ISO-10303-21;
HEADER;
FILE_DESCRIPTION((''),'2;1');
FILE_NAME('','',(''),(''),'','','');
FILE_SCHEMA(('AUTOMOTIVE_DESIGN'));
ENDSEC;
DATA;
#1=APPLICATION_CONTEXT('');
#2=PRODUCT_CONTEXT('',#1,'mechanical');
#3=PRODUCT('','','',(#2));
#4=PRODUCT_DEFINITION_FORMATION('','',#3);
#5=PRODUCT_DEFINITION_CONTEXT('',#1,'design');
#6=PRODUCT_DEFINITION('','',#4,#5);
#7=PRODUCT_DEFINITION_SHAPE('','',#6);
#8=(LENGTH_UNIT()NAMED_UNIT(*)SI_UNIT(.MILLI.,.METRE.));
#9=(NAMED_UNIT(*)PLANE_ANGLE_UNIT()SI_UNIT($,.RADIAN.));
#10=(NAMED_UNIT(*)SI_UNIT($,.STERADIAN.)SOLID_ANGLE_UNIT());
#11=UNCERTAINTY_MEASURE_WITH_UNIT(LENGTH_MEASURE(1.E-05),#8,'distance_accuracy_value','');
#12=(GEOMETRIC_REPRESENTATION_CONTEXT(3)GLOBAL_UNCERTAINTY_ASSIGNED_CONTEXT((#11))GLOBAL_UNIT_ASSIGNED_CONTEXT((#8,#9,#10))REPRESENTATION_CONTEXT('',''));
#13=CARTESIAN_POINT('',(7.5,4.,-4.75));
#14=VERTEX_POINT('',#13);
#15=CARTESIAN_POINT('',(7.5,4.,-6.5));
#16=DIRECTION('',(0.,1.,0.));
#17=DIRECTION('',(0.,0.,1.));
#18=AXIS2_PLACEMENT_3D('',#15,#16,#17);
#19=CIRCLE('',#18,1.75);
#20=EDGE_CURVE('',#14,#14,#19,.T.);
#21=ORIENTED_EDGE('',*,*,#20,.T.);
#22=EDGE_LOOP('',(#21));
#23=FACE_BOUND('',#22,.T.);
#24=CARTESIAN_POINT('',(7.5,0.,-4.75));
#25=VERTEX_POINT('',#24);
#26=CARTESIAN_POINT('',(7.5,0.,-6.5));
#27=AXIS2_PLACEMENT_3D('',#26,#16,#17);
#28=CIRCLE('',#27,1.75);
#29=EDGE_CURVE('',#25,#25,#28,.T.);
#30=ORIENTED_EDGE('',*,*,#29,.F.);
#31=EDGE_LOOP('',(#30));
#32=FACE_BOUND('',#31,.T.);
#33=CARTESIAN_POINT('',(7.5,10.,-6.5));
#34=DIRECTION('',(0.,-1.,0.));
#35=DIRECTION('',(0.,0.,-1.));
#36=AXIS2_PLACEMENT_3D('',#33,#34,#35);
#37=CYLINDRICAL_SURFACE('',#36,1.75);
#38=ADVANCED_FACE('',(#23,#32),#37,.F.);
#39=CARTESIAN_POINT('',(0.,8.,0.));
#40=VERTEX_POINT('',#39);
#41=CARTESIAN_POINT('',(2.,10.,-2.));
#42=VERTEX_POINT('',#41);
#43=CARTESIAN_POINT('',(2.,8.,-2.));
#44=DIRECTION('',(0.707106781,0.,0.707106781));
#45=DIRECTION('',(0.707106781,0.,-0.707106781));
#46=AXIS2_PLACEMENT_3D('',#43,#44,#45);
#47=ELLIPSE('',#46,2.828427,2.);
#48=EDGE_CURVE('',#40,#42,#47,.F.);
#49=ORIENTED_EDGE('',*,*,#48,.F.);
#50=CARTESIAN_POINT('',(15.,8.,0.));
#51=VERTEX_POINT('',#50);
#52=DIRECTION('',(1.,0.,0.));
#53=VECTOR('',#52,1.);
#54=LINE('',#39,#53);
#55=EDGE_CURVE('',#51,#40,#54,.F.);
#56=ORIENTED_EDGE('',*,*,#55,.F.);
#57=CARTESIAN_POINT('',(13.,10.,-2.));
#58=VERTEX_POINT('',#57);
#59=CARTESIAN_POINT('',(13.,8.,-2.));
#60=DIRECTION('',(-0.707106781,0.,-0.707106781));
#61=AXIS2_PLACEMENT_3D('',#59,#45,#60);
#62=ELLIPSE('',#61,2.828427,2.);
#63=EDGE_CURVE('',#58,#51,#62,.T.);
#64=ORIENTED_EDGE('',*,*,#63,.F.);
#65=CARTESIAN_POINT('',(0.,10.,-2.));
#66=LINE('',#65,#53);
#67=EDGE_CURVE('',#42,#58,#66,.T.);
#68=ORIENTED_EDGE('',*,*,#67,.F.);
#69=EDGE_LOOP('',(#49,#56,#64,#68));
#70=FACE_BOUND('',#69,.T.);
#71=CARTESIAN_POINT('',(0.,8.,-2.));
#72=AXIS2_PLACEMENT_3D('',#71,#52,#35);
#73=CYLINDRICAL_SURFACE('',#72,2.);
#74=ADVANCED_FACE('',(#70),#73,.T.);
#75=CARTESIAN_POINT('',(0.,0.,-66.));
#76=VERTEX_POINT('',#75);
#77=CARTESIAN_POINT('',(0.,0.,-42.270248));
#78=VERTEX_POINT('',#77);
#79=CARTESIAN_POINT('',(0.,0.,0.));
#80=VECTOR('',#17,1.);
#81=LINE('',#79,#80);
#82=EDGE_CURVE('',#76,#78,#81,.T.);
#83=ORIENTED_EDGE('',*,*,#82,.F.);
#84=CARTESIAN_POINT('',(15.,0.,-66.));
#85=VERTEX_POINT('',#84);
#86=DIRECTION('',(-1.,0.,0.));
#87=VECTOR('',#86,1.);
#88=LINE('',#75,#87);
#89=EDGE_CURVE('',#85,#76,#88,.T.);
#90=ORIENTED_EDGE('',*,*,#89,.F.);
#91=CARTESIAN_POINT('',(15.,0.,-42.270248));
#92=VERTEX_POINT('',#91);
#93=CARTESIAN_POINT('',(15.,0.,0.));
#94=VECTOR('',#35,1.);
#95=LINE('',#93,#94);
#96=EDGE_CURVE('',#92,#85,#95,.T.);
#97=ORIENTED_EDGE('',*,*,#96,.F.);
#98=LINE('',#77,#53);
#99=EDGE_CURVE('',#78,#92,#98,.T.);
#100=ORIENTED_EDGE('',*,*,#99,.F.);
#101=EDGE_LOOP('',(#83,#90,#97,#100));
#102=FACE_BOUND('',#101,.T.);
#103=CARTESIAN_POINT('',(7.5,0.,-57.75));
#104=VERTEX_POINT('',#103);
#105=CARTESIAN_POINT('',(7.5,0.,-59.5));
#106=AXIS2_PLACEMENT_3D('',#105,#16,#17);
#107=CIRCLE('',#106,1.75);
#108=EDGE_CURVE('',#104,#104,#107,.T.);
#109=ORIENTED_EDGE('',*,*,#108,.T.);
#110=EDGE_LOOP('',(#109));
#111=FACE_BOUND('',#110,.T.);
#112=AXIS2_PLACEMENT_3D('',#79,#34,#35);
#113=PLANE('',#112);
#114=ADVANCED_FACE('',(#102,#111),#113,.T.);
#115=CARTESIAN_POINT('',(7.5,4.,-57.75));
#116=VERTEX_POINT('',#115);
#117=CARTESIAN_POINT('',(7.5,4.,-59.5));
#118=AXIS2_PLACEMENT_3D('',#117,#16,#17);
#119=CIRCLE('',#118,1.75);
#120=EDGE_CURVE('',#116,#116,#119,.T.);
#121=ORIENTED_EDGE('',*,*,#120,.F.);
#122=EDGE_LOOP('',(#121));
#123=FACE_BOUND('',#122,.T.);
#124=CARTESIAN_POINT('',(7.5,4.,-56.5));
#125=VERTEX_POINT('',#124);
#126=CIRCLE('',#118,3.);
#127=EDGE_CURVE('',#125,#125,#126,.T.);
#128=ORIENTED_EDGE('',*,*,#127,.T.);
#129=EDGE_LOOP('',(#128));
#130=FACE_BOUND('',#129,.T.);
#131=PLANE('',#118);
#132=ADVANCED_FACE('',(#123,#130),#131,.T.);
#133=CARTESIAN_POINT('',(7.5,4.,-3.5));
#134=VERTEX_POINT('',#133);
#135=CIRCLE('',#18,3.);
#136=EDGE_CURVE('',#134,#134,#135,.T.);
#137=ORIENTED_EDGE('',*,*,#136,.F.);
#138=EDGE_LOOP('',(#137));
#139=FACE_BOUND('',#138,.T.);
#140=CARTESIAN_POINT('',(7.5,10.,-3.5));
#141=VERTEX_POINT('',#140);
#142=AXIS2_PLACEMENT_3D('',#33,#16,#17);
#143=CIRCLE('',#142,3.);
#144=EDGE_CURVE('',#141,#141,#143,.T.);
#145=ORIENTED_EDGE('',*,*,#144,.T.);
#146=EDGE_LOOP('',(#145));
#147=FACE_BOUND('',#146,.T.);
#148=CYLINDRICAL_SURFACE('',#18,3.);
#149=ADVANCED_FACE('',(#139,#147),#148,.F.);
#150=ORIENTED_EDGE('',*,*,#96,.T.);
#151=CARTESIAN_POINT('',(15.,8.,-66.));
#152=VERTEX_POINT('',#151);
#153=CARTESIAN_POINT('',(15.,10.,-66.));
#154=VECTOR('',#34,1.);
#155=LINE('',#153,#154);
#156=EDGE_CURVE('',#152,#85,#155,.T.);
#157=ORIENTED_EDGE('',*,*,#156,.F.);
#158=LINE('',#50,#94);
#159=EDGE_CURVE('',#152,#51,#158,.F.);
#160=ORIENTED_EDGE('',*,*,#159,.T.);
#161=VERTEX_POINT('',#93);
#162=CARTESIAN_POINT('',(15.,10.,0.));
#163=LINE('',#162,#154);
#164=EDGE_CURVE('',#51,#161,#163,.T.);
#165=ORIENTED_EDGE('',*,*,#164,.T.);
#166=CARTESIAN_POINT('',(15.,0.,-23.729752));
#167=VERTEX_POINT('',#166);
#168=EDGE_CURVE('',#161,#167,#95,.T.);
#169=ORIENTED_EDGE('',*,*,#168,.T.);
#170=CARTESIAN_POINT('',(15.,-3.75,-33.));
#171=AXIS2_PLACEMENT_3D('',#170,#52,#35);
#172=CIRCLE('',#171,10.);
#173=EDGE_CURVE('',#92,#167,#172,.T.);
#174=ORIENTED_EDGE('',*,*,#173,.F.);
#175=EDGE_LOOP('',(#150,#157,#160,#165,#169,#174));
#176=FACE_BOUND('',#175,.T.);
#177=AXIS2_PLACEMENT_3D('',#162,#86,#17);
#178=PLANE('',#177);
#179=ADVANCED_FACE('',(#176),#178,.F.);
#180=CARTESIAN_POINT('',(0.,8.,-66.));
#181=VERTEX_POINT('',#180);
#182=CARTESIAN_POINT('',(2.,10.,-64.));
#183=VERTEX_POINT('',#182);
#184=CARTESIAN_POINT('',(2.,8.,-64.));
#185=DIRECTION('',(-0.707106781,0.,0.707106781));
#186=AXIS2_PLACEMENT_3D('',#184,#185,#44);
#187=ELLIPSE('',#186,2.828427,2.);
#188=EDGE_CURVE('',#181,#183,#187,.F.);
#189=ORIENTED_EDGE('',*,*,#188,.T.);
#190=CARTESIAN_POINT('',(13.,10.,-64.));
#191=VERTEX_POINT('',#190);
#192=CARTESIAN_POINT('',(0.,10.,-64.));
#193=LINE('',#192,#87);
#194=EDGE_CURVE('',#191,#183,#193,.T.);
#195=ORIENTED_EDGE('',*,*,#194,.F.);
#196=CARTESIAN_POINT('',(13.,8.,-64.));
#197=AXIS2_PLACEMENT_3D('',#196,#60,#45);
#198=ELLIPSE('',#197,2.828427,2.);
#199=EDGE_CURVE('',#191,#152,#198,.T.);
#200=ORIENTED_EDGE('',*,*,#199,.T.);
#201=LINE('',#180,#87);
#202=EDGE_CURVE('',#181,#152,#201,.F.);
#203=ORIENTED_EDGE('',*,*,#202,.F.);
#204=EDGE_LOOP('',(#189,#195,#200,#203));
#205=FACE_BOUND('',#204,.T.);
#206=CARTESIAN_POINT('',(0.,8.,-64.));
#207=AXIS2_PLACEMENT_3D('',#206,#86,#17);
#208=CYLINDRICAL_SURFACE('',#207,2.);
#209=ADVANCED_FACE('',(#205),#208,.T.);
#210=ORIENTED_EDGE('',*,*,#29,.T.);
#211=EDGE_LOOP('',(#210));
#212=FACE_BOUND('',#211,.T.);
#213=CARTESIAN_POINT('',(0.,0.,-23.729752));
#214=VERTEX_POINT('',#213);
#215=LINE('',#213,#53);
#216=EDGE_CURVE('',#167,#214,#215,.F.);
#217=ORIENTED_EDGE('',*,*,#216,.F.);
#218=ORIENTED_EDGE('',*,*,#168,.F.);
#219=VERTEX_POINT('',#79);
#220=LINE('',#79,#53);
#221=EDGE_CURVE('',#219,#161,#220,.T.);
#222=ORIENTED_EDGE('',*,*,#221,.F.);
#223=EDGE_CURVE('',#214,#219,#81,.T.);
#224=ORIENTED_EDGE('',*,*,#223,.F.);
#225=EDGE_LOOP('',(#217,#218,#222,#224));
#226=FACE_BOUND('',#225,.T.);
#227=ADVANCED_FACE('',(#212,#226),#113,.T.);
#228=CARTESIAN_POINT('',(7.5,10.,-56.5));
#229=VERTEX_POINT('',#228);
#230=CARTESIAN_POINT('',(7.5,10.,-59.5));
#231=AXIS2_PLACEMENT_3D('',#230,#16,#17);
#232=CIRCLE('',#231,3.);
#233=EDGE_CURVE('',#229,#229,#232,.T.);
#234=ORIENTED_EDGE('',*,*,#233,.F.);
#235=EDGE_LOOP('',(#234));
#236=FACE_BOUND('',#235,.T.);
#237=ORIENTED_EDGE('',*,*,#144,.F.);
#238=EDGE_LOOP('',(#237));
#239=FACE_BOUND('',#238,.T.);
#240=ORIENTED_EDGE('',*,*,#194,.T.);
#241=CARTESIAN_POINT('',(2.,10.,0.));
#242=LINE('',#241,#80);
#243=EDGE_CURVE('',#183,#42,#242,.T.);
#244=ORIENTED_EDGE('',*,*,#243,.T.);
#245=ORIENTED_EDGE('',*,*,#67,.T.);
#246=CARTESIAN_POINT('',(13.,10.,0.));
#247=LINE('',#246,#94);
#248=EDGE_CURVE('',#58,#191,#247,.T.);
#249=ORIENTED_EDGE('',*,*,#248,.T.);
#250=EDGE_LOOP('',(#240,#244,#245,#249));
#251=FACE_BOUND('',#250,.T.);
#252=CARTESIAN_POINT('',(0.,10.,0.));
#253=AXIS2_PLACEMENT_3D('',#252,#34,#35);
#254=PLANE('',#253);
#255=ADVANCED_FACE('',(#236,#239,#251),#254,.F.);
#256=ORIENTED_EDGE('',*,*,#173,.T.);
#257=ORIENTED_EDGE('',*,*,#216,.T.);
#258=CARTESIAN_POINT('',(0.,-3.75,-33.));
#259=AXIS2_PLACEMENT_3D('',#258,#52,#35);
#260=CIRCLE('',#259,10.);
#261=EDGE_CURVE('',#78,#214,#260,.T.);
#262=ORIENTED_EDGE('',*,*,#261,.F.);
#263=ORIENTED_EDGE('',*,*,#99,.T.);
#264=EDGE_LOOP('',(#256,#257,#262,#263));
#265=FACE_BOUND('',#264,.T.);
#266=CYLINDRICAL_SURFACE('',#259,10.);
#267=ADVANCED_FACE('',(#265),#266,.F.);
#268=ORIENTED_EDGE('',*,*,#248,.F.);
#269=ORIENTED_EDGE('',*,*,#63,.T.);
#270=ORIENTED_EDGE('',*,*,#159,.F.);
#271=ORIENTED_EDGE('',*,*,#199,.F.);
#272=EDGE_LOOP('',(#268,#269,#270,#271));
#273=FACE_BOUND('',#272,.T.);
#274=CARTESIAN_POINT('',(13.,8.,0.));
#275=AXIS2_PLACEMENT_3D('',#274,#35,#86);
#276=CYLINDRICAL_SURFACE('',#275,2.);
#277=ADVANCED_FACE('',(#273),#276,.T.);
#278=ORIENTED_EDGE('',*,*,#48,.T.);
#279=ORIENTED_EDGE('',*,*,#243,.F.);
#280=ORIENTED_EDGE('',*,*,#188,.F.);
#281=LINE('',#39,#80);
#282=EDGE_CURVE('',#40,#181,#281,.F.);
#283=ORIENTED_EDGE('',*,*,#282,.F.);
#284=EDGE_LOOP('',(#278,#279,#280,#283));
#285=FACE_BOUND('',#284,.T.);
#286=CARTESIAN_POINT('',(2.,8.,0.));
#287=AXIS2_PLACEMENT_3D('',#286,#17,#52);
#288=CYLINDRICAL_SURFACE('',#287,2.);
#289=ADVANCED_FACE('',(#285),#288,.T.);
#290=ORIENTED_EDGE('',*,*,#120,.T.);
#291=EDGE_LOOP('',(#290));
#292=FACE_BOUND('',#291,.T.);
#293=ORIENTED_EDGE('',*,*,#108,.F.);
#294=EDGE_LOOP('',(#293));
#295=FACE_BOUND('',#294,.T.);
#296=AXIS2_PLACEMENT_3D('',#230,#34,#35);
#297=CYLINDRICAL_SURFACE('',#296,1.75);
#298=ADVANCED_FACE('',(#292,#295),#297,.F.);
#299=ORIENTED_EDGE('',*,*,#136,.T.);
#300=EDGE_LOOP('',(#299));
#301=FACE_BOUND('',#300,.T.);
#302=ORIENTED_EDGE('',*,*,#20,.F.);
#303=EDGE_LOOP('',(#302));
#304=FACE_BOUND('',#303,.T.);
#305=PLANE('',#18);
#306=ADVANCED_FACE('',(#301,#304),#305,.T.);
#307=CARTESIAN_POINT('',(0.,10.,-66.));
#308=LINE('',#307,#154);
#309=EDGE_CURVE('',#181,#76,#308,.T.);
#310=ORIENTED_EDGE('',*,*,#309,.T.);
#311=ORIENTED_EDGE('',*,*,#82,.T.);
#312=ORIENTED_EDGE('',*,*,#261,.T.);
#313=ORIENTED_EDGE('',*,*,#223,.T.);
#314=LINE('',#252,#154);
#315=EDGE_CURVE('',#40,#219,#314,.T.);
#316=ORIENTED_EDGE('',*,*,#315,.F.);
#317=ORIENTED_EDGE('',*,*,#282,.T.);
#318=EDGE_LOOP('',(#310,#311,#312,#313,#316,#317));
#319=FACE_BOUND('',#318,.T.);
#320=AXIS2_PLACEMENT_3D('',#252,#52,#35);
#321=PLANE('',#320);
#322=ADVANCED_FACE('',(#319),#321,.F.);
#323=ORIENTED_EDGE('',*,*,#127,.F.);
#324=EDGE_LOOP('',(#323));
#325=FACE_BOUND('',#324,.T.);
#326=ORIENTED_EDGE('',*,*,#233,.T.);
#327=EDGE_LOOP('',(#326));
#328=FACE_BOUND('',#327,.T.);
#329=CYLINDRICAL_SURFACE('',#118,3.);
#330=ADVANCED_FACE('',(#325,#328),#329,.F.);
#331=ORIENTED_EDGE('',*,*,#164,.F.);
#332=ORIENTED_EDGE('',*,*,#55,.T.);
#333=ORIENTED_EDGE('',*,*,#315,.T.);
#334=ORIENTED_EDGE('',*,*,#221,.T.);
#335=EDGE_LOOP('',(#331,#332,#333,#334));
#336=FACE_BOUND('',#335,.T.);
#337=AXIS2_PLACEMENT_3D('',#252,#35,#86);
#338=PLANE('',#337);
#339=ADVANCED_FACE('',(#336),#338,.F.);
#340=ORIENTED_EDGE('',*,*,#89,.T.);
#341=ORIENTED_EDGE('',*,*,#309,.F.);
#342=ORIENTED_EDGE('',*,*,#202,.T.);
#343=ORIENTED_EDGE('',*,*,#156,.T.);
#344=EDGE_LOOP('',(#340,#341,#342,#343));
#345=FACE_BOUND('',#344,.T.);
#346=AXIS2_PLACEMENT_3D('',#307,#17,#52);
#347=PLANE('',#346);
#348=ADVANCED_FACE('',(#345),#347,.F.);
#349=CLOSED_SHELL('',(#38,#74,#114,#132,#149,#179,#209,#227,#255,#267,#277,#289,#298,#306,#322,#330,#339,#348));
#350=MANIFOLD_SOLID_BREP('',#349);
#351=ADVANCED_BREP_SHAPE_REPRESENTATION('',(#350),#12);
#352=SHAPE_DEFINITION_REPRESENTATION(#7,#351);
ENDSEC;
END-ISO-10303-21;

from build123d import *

# Parameters (mm, degrees)
SKETCH1_W           = 15
SKETCH1_H           = 66
SKETCH1_R           = 1.75
BOSS_EXTRUDE1_DEPTH = 10
SKETCH2_R           = 3
CUT_EXTRUDE1_DEPTH  = 6
FILLET1_R           = 2
SKETCH3_R           = 10
CUT_EXTRUDE2_DEPTH  = 15


with BuildPart() as part:
    # Sketch1 → Boss-Extrude1 (new body)
    with BuildSketch(Plane(origin=(0, 0, 0), x_dir=(1, 0, 0), z_dir=(0, 1, 0))):
        with Locations((7.5, 33)):
            Rectangle(SKETCH1_W, SKETCH1_H)
        with Locations(Location((7.5, 59.5, 0), (0, 0, 270))):
            Circle(SKETCH1_R, mode=Mode.SUBTRACT)
        with Locations(Location((7.5, 6.5, 0), (0, 0, 270))):
            Circle(SKETCH1_R, mode=Mode.SUBTRACT)
    extrude(amount=BOSS_EXTRUDE1_DEPTH)

    # Sketch2 → Cut-Extrude1 (cut)
    with BuildSketch(Plane(origin=(0, 10, 0), x_dir=(1, 0, 0), z_dir=(0, 1, 0))):
        with Locations(Location((7.5, 59.5, 0), (0, 0, 270))):
            Circle(SKETCH2_R)
        with Locations(Location((7.5, 6.5, 0), (0, 0, 270))):
            Circle(SKETCH2_R)
    extrude(amount=-CUT_EXTRUDE1_DEPTH, mode=Mode.SUBTRACT)

    # Fillet1
    fillet1_edges = [part.edges().sort_by_distance(p)[0] for p in [
        (15, 10, -33),
        (7.5, 10, -66),
        (0, 10, -33),
        (7.5, 10, 0),
    ]]
    fillet(fillet1_edges, radius=FILLET1_R)

    # Sketch3 → Cut-Extrude2 (cut)
    with BuildSketch(Plane(origin=(15, 0, 0), x_dir=(0, 0, -1), z_dir=(1, 0, 0))):
        with Locations((33, -3.75)):
            Circle(SKETCH3_R)
    extrude(amount=-CUT_EXTRUDE2_DEPTH, mode=Mode.SUBTRACT)


solid = part.part
